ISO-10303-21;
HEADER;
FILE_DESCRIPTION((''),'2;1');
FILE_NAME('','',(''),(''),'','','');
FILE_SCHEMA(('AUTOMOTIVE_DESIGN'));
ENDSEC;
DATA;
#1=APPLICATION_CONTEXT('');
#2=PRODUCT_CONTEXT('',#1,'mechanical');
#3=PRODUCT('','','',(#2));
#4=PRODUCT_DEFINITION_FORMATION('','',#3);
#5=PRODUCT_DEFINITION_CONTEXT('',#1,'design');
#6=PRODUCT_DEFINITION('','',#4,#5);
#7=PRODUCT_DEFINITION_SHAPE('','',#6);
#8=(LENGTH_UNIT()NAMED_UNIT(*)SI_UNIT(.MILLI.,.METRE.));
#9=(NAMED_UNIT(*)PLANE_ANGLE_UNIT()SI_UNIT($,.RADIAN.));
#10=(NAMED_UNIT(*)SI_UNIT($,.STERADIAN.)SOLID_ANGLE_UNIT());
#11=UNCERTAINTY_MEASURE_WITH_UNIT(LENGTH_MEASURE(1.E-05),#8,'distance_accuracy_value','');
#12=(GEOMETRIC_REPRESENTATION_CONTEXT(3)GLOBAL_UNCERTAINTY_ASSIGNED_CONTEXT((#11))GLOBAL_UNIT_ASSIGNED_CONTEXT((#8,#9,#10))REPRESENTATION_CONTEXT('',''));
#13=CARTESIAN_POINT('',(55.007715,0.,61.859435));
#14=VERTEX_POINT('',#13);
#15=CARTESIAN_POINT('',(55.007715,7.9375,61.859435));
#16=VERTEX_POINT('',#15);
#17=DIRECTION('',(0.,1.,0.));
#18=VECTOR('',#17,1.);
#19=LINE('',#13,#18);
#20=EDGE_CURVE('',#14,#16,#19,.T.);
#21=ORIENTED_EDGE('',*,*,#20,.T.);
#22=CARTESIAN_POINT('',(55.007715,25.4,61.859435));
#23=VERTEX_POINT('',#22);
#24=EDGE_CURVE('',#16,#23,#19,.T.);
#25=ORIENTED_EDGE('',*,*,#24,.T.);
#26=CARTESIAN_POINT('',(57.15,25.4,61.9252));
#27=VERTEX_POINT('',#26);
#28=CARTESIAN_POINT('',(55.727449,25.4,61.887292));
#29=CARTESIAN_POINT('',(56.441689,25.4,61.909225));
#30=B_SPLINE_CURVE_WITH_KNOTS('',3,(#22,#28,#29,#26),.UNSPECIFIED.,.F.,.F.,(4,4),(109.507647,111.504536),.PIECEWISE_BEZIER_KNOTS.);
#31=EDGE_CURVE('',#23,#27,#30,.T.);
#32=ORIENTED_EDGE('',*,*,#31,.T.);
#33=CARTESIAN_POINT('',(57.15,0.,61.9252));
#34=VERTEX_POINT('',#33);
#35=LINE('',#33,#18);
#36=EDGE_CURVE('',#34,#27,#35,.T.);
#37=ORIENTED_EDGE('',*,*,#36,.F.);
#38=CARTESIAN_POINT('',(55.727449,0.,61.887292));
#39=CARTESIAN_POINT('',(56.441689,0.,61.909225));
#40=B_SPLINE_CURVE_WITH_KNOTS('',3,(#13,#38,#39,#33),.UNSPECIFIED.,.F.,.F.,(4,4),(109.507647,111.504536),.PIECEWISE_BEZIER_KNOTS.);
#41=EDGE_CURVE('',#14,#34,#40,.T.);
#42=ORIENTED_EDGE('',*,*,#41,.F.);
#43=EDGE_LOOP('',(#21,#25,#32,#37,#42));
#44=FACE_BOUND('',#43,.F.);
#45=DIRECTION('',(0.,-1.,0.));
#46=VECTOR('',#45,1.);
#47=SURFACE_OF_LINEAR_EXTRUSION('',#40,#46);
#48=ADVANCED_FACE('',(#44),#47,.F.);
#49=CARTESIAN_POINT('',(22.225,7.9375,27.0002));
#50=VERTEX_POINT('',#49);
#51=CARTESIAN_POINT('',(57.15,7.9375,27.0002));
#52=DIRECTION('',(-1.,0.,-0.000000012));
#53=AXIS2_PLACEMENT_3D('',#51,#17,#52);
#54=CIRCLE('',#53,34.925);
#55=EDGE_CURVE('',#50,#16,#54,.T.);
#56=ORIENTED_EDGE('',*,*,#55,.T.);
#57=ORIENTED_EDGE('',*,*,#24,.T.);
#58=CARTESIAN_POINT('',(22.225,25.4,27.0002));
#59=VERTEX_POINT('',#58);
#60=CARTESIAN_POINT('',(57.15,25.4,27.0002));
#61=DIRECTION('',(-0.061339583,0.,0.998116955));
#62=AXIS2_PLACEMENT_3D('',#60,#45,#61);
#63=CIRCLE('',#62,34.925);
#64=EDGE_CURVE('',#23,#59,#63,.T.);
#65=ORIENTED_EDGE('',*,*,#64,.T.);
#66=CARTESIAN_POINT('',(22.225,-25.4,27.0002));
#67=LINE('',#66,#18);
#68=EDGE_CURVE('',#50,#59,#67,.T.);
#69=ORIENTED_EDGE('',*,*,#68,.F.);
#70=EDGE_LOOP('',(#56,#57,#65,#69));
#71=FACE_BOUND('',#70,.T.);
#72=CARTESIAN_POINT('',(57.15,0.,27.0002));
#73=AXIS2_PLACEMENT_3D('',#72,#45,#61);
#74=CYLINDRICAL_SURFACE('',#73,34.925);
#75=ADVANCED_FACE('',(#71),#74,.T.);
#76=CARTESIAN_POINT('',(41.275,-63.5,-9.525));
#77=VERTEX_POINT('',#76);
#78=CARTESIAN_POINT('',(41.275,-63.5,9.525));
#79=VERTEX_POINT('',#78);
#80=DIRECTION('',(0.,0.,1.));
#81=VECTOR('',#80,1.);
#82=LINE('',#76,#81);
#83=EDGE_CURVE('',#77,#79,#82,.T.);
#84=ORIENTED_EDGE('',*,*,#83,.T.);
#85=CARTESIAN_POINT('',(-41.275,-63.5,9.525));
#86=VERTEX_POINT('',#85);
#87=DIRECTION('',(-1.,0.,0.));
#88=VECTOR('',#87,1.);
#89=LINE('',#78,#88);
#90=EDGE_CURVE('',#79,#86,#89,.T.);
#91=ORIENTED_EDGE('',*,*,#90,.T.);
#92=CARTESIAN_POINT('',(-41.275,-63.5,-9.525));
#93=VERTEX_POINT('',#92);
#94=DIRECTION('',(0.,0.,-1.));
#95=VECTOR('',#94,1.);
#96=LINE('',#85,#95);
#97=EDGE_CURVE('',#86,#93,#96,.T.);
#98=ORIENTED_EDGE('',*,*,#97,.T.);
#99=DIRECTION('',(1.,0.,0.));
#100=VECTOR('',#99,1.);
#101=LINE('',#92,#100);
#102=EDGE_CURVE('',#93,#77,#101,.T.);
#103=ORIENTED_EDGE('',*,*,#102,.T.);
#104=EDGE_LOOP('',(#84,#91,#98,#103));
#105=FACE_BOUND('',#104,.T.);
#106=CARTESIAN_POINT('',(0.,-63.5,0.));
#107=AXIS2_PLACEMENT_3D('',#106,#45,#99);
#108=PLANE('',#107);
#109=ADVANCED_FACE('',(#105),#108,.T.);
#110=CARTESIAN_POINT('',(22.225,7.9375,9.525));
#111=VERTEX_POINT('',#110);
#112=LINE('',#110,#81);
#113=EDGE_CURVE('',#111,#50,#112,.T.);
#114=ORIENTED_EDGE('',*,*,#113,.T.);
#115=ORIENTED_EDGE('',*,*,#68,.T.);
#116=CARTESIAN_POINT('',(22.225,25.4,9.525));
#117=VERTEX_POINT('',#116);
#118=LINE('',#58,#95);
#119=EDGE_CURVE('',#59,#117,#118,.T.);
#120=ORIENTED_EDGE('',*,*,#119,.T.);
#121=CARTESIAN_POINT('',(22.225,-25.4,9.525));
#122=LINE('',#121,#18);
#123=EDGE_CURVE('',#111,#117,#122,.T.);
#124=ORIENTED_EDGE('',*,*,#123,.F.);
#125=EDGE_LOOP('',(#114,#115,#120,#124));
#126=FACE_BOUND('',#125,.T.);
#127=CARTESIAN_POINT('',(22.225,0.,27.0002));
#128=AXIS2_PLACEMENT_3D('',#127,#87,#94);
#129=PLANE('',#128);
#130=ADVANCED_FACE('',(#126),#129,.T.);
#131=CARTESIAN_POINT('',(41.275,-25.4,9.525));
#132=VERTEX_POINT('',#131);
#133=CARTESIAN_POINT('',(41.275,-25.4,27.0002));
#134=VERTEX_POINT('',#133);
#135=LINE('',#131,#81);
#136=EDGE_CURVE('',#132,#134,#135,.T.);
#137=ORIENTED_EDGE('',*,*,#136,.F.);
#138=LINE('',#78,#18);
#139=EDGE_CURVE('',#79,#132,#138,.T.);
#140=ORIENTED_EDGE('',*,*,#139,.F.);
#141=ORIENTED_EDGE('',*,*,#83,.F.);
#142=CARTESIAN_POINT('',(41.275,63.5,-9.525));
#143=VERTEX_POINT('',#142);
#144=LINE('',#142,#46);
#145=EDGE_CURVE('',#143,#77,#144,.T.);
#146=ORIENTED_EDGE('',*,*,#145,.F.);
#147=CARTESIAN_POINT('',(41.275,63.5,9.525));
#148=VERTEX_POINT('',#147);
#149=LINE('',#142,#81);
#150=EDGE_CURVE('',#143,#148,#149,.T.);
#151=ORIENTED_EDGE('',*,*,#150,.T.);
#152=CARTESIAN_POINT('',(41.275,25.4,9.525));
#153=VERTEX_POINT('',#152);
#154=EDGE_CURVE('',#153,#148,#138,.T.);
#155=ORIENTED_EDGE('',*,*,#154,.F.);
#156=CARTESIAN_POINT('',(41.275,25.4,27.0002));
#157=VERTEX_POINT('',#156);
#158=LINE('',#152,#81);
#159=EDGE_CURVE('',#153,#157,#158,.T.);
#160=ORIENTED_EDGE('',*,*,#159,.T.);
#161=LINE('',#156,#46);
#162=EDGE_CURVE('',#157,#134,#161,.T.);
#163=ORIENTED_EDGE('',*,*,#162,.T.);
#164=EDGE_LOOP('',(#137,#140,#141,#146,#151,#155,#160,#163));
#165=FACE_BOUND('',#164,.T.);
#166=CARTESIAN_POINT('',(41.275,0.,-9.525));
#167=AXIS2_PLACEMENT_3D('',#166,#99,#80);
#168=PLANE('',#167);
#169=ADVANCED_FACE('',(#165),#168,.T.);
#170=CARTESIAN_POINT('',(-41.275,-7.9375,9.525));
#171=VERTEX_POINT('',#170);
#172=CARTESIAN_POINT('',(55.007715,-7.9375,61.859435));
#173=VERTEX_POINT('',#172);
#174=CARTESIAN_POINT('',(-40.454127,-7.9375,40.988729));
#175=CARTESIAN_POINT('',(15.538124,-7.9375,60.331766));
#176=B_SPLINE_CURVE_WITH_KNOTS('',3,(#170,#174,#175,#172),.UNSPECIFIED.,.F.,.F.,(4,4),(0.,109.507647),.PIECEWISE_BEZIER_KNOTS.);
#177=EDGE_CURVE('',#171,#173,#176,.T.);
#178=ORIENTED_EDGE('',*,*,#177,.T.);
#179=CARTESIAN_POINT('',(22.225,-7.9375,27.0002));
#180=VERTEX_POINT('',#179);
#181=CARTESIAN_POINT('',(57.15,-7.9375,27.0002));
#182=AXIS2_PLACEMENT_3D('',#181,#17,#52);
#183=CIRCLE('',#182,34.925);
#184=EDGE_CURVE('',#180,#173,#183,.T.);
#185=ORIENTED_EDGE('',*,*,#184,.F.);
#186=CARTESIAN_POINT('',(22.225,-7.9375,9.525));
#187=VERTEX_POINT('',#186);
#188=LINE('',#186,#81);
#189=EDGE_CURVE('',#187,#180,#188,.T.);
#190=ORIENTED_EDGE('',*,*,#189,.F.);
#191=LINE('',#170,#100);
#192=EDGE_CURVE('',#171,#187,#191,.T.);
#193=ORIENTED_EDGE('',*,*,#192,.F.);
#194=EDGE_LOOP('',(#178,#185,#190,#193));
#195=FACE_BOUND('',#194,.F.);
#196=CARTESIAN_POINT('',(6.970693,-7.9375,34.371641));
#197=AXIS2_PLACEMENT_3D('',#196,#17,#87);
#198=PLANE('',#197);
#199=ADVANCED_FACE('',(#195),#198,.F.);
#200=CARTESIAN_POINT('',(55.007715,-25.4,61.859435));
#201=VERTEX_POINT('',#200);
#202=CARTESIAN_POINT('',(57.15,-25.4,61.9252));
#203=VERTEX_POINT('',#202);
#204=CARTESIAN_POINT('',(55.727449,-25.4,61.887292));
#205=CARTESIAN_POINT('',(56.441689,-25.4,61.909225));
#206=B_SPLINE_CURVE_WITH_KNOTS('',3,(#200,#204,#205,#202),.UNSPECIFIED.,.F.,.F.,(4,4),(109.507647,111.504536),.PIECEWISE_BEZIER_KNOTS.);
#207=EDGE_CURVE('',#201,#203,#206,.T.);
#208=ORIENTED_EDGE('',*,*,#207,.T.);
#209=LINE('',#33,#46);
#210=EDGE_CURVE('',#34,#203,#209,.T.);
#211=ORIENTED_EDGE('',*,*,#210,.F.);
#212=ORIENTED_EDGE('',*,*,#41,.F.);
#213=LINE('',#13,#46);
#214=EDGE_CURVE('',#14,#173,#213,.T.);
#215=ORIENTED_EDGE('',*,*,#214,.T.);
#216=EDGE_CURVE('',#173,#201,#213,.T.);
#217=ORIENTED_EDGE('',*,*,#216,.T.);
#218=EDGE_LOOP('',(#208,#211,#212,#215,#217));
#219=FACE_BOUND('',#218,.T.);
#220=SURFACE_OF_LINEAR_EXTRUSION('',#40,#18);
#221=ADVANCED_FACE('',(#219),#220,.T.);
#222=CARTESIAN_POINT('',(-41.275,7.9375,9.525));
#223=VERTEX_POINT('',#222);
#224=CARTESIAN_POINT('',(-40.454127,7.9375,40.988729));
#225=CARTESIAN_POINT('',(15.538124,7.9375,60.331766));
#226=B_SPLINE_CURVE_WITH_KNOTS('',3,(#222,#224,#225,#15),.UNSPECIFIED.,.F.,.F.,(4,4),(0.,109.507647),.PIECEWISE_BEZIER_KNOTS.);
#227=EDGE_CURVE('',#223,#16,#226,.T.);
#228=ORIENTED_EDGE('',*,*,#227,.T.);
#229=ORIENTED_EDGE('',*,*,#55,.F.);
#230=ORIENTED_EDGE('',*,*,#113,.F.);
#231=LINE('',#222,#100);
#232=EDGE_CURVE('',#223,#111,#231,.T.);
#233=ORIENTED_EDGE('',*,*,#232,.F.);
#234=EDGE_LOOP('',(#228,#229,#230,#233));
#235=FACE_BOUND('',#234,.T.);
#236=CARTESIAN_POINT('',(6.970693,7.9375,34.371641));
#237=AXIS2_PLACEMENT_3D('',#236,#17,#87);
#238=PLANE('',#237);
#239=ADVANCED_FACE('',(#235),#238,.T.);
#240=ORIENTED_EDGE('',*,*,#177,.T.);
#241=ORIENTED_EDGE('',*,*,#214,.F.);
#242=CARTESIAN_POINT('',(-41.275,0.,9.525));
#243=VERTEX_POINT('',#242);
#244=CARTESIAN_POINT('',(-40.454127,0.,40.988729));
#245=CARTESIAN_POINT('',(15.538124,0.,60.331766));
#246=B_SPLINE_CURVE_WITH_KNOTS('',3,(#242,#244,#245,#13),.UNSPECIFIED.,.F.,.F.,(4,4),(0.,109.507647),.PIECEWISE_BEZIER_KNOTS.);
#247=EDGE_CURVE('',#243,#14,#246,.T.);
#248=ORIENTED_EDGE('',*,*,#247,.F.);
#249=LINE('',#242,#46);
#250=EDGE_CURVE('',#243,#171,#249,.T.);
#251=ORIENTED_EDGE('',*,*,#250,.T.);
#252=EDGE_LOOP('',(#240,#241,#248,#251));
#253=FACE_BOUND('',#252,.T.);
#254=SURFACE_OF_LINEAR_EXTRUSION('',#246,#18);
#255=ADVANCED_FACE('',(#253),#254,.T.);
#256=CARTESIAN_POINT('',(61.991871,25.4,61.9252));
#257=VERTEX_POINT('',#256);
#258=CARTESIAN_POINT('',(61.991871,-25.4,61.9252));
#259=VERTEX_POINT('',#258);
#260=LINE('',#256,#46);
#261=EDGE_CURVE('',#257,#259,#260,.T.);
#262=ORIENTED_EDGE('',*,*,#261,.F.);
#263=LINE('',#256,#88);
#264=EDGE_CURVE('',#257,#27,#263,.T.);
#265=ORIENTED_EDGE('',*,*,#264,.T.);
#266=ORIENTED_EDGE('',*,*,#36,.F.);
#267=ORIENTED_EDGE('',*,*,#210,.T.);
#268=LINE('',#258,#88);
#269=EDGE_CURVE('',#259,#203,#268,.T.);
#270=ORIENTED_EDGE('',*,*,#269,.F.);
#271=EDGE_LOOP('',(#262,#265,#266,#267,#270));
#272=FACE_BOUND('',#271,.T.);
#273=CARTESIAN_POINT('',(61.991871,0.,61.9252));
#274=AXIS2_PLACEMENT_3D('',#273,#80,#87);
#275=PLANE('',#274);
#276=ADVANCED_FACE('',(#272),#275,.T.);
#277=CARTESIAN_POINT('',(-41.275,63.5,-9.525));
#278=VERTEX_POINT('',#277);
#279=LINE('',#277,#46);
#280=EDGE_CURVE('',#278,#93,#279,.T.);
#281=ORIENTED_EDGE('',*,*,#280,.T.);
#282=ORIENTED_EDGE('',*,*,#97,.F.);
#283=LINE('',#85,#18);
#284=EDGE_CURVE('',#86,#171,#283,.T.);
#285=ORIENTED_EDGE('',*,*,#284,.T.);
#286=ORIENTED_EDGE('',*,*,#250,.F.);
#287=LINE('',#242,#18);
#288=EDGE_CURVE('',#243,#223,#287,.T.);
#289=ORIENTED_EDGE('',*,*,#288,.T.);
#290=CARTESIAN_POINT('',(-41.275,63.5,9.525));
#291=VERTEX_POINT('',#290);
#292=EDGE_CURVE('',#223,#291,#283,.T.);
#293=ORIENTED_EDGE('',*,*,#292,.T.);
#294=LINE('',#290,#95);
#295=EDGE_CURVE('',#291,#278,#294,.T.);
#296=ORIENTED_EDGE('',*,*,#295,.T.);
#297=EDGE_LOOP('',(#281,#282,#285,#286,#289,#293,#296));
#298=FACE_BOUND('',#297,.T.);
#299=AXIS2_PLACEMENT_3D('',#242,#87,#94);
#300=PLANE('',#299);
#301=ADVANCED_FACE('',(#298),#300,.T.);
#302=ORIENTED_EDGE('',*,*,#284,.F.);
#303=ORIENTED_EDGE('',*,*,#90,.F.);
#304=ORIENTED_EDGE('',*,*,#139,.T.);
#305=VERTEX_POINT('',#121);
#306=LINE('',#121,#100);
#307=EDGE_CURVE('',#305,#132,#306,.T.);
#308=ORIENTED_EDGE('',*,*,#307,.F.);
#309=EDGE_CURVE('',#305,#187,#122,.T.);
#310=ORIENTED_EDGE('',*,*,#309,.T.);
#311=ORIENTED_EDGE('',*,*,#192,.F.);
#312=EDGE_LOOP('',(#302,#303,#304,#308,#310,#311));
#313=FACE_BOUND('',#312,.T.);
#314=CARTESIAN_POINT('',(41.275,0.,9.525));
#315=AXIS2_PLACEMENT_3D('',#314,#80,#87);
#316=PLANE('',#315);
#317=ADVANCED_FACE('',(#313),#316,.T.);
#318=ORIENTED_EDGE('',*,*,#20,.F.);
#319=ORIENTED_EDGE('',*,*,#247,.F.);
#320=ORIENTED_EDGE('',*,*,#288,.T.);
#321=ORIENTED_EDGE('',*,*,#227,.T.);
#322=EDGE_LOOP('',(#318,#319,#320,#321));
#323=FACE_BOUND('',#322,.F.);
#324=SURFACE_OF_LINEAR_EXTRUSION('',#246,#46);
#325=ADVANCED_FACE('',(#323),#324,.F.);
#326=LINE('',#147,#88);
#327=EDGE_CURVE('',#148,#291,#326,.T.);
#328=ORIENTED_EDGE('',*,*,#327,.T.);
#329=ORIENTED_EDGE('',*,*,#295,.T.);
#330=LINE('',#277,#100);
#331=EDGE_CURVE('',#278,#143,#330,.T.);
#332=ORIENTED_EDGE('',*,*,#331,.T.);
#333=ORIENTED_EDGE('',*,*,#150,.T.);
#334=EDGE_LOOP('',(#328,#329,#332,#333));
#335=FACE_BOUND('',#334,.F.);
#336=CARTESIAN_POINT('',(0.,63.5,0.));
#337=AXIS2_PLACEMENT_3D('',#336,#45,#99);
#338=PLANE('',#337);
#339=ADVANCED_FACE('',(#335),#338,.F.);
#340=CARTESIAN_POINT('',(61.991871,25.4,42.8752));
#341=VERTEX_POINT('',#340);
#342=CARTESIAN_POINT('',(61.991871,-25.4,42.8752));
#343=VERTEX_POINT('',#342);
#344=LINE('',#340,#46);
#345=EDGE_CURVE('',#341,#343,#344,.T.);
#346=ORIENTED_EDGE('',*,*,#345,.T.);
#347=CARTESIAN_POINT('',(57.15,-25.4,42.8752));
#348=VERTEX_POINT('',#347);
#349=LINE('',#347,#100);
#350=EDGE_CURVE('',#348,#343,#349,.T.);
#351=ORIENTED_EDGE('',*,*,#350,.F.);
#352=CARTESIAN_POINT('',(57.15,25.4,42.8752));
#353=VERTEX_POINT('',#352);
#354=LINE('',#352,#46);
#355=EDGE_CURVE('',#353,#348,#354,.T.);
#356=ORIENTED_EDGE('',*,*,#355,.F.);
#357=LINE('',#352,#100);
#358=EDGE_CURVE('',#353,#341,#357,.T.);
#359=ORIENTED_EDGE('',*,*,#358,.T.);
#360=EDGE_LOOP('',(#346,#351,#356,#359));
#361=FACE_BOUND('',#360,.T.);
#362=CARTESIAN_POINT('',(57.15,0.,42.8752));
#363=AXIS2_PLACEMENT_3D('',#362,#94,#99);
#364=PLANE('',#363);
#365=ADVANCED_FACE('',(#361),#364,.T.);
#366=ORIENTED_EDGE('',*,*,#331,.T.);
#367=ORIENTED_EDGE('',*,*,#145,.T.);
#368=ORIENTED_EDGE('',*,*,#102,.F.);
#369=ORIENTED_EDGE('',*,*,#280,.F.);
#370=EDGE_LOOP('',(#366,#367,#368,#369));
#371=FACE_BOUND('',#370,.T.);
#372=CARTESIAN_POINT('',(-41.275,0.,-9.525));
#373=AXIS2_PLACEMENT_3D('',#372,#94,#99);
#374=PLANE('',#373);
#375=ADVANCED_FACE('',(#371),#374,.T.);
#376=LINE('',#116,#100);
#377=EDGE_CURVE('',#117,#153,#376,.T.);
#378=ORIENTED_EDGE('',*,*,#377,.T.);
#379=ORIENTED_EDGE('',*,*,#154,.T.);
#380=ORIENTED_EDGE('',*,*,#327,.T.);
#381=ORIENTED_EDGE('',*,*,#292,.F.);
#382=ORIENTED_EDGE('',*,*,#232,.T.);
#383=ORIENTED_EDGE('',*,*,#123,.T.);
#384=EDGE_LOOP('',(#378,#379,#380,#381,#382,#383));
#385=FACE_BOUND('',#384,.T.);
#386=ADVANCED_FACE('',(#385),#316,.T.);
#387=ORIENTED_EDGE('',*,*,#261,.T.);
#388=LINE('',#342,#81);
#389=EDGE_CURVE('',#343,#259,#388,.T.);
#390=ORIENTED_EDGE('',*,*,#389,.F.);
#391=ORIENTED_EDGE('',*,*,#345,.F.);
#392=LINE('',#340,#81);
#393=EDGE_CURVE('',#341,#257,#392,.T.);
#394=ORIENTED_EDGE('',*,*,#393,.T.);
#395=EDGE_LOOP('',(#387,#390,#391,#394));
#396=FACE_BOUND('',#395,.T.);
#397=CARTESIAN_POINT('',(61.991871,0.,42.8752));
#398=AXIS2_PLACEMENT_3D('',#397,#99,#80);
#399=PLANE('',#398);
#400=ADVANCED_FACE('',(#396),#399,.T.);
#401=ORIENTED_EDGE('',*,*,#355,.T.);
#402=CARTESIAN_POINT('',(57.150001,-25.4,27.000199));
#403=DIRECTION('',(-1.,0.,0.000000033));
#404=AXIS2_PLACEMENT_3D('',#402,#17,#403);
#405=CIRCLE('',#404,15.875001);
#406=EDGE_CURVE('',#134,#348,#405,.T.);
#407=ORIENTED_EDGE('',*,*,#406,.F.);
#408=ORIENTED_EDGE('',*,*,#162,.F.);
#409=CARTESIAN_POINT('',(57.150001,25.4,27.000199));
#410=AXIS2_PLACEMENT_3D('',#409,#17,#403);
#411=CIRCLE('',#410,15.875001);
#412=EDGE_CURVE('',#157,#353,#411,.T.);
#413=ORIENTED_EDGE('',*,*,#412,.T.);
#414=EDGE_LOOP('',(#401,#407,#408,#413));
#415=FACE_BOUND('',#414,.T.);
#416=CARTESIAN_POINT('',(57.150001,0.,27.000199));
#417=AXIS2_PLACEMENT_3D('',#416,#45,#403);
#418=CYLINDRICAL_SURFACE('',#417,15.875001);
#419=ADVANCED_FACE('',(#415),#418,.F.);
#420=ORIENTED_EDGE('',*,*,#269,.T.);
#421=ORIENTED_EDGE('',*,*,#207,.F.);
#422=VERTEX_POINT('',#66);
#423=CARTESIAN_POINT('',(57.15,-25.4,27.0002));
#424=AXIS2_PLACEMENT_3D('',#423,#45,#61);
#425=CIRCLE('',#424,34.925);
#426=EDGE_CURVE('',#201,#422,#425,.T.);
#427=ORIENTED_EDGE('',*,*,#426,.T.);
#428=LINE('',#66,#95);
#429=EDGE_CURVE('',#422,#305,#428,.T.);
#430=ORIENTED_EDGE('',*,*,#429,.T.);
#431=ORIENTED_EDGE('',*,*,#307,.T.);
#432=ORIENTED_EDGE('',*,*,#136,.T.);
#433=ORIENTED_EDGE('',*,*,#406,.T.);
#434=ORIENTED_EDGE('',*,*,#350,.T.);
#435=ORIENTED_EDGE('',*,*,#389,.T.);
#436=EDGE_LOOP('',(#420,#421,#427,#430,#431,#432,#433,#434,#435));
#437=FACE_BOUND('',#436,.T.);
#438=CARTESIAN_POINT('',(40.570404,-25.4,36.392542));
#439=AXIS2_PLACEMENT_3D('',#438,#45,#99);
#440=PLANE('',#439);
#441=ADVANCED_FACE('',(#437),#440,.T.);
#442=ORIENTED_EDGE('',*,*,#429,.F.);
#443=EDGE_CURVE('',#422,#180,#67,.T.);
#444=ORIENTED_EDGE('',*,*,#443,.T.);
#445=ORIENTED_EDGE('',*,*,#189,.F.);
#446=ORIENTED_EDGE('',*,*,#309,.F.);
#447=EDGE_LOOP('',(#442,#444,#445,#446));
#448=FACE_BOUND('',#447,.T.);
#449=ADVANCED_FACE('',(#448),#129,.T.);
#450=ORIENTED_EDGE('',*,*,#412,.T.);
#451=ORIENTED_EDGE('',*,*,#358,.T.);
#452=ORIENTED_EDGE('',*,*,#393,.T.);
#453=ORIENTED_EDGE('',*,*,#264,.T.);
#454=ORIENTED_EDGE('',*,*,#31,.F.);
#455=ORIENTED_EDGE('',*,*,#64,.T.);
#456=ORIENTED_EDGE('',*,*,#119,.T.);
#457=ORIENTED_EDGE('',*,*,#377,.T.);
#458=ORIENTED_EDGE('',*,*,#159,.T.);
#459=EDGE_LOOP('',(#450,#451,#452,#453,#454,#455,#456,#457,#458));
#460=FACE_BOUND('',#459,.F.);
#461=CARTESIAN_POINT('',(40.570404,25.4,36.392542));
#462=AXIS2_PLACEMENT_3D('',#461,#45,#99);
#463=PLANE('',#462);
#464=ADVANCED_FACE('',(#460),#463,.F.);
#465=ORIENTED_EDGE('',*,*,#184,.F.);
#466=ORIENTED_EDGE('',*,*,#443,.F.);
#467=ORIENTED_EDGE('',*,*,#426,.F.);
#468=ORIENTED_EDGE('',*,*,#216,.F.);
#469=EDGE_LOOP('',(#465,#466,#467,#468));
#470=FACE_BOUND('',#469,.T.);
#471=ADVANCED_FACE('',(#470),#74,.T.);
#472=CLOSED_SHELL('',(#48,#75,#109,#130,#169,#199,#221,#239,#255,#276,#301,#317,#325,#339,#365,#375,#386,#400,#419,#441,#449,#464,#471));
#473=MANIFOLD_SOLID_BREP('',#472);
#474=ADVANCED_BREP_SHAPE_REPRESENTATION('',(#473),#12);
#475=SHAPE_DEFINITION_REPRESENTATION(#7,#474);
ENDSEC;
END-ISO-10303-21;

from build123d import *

# Parameters (mm, degrees)
F1_DEPTH = 63.5
F2_DEPTH = 25.4
F3_DEPTH = 7.9375


with BuildPart() as f1:
    # F0 (on Front) → F1 (new body, symmetric)
    with BuildSketch(Plane.XZ):
        Polygon((-41.275, 9.525), (-41.275, -9.525), (41.275, -9.525), (41.275, 9.525), (22.225, 9.525), align=None)
    extrude(amount=F1_DEPTH, both=True)

    # F0 (on Front) → F2 (join, symmetric)
    with BuildSketch(Plane.XZ):
        with BuildLine():
            Line((22.225, 9.525), (41.275, 9.525))
            Line((41.275, 9.525), (41.275, 27.0002))
            ThreePointArc((41.275, 27.0002), (45.92468, 38.22552), (57.15, 42.8752))
            Line((57.15, 42.8752), (61.991871, 42.8752))
            Line((61.991871, 42.8752), (61.991871, 61.9252))
            Line((61.991871, 61.9252), (57.15, 61.9252))
            add(Edge.make_bspline(
                [(55.007715, 61.859435), (55.727449, 61.887292), (56.441689, 61.909225), (57.15, 61.9252)],
                knots=[109.507647, 109.507647, 109.507647, 109.507647, 111.504536, 111.504536, 111.504536, 111.504536], degree=3))
            ThreePointArc((55.007715, 61.859435), (31.708155, 50.926507), (22.225, 27.0002))
            Line((22.225, 27.0002), (22.225, 9.525))
        make_face()
    extrude(amount=F2_DEPTH, both=True)

    # F0 (on Front) → F3 (join, symmetric)
    with BuildSketch(Plane.XZ):
        with BuildLine():
            add(Edge.make_bspline(
                [(-41.275, 9.525), (-40.454127, 40.988729), (15.538124, 60.331766), (55.007715, 61.859435)],
                knots=[0, 0, 0, 0, 109.507647, 109.507647, 109.507647, 109.507647], degree=3))
            Line((-41.275, 9.525), (22.225, 9.525))
            Line((22.225, 9.525), (22.225, 27.0002))
            ThreePointArc((22.225, 27.0002), (31.708155, 50.926507), (55.007715, 61.859435))
        make_face()
    extrude(amount=F3_DEPTH, both=True)


solid = f1.part
